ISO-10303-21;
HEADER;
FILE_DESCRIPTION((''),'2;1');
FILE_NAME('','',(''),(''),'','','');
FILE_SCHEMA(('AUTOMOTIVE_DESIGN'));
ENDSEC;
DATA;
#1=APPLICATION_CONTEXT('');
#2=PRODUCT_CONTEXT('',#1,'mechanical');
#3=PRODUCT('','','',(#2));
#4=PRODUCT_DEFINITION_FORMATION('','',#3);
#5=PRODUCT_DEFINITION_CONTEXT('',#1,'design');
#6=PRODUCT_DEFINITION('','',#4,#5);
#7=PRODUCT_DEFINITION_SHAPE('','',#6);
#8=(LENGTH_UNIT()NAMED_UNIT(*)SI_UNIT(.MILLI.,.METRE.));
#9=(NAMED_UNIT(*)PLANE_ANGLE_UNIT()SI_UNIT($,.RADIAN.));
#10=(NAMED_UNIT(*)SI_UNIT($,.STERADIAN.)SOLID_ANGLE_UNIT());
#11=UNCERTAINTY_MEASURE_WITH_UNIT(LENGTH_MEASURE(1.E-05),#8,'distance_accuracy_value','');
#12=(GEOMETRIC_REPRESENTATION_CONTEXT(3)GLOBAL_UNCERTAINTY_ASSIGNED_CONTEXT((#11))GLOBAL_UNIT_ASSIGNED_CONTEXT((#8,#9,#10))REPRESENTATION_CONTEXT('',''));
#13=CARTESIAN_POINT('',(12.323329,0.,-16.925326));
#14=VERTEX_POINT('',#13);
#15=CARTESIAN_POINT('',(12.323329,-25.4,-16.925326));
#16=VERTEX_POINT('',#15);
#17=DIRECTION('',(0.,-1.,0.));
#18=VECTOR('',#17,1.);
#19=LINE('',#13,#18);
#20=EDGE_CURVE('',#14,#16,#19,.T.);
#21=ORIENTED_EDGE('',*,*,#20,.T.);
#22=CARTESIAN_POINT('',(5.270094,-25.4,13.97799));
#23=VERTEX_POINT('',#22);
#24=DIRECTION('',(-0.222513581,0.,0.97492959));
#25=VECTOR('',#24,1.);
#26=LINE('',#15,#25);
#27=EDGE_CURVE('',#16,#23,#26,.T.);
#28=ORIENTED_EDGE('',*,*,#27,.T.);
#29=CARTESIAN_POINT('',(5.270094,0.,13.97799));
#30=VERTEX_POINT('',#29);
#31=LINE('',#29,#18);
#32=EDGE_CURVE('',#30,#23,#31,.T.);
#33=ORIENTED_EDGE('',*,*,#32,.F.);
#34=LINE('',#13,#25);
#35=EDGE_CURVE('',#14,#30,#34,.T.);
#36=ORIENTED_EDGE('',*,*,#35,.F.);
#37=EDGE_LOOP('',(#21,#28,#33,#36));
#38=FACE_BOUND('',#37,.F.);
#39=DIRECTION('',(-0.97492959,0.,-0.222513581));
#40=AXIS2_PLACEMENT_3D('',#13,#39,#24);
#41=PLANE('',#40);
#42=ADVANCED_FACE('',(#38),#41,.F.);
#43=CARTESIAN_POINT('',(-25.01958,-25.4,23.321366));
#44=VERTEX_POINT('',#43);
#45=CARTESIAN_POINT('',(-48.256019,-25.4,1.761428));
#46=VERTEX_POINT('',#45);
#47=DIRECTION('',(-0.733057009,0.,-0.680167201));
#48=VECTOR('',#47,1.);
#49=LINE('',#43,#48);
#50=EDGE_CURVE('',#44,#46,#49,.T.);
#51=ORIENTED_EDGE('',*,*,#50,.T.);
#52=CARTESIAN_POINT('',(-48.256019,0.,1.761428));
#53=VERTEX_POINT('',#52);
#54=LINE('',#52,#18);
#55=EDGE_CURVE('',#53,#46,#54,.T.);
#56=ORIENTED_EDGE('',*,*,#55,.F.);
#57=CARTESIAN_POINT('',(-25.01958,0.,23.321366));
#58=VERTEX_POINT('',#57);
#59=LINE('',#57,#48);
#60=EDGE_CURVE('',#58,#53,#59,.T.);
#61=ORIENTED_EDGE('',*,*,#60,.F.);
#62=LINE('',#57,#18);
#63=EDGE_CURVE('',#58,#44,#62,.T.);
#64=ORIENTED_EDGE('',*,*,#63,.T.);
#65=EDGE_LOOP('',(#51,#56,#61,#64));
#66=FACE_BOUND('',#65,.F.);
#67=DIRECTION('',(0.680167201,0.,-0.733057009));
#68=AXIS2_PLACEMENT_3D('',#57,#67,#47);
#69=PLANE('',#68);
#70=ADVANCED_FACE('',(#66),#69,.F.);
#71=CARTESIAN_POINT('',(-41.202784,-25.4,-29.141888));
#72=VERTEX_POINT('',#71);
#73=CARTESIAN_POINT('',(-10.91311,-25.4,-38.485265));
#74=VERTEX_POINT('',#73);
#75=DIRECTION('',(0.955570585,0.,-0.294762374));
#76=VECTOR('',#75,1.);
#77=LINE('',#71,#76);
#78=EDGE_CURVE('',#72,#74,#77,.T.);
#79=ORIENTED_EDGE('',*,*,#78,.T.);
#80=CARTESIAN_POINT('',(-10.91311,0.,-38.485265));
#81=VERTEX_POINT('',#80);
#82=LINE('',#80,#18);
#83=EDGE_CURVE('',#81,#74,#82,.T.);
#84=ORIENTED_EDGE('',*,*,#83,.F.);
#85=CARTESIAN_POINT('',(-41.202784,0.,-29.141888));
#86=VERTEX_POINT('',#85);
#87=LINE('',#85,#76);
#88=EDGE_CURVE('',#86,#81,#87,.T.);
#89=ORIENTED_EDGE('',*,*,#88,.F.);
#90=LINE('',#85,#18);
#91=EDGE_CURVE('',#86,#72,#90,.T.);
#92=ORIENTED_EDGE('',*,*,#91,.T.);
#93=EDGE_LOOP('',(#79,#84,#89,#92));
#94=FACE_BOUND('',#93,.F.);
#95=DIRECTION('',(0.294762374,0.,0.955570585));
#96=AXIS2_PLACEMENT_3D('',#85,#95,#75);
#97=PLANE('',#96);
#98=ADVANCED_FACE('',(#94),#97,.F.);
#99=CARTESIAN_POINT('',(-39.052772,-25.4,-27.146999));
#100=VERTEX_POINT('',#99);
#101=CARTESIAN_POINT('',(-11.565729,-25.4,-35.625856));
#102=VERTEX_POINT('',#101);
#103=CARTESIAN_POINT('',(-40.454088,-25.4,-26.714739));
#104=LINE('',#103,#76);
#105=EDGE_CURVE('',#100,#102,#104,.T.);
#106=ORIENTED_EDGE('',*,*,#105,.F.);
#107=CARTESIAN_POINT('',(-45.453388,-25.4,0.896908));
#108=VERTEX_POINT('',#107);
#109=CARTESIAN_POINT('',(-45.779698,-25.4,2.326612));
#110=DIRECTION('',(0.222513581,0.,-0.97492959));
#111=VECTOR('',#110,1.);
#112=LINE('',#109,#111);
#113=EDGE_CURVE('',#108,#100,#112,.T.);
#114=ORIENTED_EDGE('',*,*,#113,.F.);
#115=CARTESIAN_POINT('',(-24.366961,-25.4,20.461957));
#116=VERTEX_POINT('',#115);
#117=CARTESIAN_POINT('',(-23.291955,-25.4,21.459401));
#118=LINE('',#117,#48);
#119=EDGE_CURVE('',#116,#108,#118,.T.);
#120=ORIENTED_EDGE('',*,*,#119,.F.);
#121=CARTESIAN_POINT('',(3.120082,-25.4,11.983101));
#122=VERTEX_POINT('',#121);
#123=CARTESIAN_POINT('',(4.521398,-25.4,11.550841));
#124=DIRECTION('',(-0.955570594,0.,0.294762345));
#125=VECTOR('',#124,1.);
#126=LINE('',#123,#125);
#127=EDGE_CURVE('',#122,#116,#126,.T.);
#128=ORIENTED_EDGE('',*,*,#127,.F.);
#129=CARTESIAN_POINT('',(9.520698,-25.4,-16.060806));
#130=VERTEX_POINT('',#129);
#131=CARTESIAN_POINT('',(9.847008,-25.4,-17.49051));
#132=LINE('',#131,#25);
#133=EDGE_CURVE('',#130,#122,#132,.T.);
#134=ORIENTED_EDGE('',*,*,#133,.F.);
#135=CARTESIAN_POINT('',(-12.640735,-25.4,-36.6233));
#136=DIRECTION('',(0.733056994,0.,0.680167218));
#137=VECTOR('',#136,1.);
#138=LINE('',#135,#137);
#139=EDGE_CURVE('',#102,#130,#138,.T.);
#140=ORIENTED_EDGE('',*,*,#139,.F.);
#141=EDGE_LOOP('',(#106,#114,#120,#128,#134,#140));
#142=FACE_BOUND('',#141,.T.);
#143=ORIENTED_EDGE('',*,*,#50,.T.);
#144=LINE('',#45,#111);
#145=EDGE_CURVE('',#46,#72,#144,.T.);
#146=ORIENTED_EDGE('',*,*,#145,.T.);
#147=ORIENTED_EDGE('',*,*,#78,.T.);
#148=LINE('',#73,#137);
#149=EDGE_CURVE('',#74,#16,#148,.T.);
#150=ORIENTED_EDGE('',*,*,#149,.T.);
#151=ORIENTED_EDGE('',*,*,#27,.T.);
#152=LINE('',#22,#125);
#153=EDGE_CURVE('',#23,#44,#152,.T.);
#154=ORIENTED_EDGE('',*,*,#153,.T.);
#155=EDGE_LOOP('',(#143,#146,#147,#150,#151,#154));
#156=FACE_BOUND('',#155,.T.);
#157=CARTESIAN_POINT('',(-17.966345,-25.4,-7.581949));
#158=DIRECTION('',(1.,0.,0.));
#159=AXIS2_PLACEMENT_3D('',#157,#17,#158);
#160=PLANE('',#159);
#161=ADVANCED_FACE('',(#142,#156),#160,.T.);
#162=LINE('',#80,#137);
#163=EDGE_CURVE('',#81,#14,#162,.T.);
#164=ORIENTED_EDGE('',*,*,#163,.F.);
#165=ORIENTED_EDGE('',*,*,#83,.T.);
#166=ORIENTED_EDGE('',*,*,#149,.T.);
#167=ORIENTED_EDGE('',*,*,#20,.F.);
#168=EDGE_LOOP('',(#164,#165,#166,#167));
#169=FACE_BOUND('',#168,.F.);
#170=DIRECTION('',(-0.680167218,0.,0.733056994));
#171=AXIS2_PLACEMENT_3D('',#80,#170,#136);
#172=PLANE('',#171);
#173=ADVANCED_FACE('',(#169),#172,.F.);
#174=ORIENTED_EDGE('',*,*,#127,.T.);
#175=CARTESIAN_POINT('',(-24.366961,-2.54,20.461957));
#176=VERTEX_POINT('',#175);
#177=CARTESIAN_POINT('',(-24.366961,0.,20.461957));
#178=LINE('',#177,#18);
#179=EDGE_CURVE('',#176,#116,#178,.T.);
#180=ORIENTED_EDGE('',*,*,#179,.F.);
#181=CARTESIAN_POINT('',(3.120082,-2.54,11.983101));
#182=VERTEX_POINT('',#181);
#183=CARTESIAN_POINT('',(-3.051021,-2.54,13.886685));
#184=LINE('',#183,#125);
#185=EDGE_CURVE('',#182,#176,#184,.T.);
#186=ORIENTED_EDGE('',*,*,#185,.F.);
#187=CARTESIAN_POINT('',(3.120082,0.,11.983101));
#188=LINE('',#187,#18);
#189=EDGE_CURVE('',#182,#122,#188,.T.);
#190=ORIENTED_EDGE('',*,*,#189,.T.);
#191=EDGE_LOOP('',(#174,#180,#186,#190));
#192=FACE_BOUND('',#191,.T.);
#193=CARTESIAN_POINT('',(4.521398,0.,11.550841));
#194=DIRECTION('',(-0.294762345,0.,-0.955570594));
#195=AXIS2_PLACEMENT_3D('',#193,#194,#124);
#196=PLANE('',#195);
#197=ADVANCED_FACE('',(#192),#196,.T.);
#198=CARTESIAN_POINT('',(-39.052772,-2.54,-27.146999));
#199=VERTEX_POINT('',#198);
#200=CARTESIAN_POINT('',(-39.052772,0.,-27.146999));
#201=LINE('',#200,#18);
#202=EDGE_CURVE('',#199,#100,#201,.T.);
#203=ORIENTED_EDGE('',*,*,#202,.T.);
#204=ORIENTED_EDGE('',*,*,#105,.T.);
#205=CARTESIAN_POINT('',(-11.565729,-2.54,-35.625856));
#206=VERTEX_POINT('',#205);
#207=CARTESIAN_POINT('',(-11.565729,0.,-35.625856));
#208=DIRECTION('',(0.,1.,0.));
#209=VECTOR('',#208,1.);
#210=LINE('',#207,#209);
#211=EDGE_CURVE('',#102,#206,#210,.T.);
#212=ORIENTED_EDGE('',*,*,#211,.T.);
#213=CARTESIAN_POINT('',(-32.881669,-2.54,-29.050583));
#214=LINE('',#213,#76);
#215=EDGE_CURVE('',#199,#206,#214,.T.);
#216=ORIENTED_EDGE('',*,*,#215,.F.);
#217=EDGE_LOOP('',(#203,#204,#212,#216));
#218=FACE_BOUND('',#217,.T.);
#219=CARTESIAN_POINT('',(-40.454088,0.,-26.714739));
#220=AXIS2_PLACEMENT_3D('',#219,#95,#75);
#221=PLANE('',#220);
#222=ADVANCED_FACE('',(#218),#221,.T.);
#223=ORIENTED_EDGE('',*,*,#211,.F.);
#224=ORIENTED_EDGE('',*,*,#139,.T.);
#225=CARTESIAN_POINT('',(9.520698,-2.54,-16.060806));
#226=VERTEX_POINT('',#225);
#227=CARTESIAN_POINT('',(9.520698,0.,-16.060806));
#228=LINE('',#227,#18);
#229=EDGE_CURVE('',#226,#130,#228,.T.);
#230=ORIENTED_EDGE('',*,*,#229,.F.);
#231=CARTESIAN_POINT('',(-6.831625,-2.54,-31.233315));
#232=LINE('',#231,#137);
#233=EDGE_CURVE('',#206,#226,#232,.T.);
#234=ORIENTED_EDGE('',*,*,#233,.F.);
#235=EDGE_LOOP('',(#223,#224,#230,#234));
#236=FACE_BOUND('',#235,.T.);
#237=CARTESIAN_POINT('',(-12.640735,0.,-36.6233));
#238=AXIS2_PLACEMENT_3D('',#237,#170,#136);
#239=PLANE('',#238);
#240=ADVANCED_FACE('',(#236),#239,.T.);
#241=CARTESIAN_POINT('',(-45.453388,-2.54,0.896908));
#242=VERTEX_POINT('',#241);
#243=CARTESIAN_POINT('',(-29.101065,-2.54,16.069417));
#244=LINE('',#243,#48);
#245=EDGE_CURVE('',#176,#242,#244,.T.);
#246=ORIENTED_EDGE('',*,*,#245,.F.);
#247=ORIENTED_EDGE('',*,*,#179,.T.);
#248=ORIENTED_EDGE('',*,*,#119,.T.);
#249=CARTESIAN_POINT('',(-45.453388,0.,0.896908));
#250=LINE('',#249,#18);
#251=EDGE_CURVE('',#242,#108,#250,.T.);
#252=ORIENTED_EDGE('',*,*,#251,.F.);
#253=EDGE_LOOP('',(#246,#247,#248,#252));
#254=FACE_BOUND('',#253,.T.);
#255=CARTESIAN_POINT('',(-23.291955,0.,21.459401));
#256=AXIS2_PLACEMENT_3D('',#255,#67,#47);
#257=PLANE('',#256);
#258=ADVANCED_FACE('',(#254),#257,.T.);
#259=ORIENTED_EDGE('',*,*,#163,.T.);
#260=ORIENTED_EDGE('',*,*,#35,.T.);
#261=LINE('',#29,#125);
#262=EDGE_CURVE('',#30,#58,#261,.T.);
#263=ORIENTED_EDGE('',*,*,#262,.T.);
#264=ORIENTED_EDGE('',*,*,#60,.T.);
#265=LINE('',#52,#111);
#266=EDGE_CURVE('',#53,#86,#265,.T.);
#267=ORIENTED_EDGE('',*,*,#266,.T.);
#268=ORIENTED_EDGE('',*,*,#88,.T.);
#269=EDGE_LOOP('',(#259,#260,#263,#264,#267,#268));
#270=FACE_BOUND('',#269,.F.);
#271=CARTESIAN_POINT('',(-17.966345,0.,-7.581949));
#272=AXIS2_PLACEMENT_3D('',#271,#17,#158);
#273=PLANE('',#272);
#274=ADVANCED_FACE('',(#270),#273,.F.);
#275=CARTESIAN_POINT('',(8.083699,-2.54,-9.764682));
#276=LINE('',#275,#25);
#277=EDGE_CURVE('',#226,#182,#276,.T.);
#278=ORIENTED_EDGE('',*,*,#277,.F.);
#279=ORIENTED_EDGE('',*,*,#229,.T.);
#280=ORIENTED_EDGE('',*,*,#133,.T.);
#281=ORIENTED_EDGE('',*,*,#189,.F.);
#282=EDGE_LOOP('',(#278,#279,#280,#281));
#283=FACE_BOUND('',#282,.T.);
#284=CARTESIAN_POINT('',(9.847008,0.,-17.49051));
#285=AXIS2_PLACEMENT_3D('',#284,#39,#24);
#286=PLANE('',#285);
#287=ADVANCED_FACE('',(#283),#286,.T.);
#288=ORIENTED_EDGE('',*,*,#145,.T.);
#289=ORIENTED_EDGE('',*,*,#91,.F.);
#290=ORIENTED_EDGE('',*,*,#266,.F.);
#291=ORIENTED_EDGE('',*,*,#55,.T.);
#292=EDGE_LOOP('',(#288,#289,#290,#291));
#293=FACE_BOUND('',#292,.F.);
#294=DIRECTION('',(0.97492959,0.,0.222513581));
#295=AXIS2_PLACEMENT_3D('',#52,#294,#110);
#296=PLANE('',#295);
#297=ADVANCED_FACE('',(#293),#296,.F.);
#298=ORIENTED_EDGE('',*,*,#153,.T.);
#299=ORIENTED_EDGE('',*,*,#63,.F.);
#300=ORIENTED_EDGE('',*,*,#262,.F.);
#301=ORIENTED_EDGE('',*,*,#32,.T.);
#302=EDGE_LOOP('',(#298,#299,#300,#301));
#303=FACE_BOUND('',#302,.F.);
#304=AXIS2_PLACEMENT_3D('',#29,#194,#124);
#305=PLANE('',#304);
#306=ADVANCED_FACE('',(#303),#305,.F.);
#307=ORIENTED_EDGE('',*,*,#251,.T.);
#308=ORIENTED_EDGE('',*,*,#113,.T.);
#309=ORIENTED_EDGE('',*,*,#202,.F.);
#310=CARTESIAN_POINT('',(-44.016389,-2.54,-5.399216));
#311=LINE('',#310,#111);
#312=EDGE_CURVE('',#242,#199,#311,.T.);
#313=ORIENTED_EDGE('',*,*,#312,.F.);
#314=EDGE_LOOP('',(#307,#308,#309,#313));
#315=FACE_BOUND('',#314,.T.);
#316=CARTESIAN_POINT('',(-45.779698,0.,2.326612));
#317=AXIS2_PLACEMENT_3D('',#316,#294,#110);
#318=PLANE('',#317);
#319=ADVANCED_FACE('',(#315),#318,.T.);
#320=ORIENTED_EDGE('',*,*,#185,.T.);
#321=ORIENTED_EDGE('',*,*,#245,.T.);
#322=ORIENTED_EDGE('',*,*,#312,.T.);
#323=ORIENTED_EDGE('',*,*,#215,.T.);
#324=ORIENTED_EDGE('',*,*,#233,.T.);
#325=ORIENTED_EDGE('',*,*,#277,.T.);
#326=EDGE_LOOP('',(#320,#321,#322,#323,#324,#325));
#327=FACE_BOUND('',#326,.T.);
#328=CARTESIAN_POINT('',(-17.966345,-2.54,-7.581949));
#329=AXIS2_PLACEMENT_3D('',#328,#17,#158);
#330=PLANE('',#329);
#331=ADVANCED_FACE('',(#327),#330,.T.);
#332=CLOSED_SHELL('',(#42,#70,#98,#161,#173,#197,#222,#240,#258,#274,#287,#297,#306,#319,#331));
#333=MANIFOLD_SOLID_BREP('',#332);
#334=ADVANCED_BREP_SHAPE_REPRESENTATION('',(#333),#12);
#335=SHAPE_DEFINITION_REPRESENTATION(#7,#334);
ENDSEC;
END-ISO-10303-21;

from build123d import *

# Parameters (mm, degrees)
F2_DEPTH = 25.4
F3_T     = -2.54


with BuildPart() as f2:
    # F1 (on face) → F2 (new body)
    with BuildSketch(Plane.XZ):
        Polygon((-10.91311, -38.485265), (12.323329, -16.925326), (5.270094, 13.97799), (-25.01958, 23.321366), (-48.256019, 1.761428), (-41.202784, -29.141888), align=None)
    extrude(amount=F2_DEPTH)

    # F3
    f3_openings = [f2.faces().sort_by_distance(p)[0] for p in [
        (-17.966345, -25.4, -7.581949),
    ]]
    offset(amount=F3_T, openings=f3_openings)


solid = f2.part
